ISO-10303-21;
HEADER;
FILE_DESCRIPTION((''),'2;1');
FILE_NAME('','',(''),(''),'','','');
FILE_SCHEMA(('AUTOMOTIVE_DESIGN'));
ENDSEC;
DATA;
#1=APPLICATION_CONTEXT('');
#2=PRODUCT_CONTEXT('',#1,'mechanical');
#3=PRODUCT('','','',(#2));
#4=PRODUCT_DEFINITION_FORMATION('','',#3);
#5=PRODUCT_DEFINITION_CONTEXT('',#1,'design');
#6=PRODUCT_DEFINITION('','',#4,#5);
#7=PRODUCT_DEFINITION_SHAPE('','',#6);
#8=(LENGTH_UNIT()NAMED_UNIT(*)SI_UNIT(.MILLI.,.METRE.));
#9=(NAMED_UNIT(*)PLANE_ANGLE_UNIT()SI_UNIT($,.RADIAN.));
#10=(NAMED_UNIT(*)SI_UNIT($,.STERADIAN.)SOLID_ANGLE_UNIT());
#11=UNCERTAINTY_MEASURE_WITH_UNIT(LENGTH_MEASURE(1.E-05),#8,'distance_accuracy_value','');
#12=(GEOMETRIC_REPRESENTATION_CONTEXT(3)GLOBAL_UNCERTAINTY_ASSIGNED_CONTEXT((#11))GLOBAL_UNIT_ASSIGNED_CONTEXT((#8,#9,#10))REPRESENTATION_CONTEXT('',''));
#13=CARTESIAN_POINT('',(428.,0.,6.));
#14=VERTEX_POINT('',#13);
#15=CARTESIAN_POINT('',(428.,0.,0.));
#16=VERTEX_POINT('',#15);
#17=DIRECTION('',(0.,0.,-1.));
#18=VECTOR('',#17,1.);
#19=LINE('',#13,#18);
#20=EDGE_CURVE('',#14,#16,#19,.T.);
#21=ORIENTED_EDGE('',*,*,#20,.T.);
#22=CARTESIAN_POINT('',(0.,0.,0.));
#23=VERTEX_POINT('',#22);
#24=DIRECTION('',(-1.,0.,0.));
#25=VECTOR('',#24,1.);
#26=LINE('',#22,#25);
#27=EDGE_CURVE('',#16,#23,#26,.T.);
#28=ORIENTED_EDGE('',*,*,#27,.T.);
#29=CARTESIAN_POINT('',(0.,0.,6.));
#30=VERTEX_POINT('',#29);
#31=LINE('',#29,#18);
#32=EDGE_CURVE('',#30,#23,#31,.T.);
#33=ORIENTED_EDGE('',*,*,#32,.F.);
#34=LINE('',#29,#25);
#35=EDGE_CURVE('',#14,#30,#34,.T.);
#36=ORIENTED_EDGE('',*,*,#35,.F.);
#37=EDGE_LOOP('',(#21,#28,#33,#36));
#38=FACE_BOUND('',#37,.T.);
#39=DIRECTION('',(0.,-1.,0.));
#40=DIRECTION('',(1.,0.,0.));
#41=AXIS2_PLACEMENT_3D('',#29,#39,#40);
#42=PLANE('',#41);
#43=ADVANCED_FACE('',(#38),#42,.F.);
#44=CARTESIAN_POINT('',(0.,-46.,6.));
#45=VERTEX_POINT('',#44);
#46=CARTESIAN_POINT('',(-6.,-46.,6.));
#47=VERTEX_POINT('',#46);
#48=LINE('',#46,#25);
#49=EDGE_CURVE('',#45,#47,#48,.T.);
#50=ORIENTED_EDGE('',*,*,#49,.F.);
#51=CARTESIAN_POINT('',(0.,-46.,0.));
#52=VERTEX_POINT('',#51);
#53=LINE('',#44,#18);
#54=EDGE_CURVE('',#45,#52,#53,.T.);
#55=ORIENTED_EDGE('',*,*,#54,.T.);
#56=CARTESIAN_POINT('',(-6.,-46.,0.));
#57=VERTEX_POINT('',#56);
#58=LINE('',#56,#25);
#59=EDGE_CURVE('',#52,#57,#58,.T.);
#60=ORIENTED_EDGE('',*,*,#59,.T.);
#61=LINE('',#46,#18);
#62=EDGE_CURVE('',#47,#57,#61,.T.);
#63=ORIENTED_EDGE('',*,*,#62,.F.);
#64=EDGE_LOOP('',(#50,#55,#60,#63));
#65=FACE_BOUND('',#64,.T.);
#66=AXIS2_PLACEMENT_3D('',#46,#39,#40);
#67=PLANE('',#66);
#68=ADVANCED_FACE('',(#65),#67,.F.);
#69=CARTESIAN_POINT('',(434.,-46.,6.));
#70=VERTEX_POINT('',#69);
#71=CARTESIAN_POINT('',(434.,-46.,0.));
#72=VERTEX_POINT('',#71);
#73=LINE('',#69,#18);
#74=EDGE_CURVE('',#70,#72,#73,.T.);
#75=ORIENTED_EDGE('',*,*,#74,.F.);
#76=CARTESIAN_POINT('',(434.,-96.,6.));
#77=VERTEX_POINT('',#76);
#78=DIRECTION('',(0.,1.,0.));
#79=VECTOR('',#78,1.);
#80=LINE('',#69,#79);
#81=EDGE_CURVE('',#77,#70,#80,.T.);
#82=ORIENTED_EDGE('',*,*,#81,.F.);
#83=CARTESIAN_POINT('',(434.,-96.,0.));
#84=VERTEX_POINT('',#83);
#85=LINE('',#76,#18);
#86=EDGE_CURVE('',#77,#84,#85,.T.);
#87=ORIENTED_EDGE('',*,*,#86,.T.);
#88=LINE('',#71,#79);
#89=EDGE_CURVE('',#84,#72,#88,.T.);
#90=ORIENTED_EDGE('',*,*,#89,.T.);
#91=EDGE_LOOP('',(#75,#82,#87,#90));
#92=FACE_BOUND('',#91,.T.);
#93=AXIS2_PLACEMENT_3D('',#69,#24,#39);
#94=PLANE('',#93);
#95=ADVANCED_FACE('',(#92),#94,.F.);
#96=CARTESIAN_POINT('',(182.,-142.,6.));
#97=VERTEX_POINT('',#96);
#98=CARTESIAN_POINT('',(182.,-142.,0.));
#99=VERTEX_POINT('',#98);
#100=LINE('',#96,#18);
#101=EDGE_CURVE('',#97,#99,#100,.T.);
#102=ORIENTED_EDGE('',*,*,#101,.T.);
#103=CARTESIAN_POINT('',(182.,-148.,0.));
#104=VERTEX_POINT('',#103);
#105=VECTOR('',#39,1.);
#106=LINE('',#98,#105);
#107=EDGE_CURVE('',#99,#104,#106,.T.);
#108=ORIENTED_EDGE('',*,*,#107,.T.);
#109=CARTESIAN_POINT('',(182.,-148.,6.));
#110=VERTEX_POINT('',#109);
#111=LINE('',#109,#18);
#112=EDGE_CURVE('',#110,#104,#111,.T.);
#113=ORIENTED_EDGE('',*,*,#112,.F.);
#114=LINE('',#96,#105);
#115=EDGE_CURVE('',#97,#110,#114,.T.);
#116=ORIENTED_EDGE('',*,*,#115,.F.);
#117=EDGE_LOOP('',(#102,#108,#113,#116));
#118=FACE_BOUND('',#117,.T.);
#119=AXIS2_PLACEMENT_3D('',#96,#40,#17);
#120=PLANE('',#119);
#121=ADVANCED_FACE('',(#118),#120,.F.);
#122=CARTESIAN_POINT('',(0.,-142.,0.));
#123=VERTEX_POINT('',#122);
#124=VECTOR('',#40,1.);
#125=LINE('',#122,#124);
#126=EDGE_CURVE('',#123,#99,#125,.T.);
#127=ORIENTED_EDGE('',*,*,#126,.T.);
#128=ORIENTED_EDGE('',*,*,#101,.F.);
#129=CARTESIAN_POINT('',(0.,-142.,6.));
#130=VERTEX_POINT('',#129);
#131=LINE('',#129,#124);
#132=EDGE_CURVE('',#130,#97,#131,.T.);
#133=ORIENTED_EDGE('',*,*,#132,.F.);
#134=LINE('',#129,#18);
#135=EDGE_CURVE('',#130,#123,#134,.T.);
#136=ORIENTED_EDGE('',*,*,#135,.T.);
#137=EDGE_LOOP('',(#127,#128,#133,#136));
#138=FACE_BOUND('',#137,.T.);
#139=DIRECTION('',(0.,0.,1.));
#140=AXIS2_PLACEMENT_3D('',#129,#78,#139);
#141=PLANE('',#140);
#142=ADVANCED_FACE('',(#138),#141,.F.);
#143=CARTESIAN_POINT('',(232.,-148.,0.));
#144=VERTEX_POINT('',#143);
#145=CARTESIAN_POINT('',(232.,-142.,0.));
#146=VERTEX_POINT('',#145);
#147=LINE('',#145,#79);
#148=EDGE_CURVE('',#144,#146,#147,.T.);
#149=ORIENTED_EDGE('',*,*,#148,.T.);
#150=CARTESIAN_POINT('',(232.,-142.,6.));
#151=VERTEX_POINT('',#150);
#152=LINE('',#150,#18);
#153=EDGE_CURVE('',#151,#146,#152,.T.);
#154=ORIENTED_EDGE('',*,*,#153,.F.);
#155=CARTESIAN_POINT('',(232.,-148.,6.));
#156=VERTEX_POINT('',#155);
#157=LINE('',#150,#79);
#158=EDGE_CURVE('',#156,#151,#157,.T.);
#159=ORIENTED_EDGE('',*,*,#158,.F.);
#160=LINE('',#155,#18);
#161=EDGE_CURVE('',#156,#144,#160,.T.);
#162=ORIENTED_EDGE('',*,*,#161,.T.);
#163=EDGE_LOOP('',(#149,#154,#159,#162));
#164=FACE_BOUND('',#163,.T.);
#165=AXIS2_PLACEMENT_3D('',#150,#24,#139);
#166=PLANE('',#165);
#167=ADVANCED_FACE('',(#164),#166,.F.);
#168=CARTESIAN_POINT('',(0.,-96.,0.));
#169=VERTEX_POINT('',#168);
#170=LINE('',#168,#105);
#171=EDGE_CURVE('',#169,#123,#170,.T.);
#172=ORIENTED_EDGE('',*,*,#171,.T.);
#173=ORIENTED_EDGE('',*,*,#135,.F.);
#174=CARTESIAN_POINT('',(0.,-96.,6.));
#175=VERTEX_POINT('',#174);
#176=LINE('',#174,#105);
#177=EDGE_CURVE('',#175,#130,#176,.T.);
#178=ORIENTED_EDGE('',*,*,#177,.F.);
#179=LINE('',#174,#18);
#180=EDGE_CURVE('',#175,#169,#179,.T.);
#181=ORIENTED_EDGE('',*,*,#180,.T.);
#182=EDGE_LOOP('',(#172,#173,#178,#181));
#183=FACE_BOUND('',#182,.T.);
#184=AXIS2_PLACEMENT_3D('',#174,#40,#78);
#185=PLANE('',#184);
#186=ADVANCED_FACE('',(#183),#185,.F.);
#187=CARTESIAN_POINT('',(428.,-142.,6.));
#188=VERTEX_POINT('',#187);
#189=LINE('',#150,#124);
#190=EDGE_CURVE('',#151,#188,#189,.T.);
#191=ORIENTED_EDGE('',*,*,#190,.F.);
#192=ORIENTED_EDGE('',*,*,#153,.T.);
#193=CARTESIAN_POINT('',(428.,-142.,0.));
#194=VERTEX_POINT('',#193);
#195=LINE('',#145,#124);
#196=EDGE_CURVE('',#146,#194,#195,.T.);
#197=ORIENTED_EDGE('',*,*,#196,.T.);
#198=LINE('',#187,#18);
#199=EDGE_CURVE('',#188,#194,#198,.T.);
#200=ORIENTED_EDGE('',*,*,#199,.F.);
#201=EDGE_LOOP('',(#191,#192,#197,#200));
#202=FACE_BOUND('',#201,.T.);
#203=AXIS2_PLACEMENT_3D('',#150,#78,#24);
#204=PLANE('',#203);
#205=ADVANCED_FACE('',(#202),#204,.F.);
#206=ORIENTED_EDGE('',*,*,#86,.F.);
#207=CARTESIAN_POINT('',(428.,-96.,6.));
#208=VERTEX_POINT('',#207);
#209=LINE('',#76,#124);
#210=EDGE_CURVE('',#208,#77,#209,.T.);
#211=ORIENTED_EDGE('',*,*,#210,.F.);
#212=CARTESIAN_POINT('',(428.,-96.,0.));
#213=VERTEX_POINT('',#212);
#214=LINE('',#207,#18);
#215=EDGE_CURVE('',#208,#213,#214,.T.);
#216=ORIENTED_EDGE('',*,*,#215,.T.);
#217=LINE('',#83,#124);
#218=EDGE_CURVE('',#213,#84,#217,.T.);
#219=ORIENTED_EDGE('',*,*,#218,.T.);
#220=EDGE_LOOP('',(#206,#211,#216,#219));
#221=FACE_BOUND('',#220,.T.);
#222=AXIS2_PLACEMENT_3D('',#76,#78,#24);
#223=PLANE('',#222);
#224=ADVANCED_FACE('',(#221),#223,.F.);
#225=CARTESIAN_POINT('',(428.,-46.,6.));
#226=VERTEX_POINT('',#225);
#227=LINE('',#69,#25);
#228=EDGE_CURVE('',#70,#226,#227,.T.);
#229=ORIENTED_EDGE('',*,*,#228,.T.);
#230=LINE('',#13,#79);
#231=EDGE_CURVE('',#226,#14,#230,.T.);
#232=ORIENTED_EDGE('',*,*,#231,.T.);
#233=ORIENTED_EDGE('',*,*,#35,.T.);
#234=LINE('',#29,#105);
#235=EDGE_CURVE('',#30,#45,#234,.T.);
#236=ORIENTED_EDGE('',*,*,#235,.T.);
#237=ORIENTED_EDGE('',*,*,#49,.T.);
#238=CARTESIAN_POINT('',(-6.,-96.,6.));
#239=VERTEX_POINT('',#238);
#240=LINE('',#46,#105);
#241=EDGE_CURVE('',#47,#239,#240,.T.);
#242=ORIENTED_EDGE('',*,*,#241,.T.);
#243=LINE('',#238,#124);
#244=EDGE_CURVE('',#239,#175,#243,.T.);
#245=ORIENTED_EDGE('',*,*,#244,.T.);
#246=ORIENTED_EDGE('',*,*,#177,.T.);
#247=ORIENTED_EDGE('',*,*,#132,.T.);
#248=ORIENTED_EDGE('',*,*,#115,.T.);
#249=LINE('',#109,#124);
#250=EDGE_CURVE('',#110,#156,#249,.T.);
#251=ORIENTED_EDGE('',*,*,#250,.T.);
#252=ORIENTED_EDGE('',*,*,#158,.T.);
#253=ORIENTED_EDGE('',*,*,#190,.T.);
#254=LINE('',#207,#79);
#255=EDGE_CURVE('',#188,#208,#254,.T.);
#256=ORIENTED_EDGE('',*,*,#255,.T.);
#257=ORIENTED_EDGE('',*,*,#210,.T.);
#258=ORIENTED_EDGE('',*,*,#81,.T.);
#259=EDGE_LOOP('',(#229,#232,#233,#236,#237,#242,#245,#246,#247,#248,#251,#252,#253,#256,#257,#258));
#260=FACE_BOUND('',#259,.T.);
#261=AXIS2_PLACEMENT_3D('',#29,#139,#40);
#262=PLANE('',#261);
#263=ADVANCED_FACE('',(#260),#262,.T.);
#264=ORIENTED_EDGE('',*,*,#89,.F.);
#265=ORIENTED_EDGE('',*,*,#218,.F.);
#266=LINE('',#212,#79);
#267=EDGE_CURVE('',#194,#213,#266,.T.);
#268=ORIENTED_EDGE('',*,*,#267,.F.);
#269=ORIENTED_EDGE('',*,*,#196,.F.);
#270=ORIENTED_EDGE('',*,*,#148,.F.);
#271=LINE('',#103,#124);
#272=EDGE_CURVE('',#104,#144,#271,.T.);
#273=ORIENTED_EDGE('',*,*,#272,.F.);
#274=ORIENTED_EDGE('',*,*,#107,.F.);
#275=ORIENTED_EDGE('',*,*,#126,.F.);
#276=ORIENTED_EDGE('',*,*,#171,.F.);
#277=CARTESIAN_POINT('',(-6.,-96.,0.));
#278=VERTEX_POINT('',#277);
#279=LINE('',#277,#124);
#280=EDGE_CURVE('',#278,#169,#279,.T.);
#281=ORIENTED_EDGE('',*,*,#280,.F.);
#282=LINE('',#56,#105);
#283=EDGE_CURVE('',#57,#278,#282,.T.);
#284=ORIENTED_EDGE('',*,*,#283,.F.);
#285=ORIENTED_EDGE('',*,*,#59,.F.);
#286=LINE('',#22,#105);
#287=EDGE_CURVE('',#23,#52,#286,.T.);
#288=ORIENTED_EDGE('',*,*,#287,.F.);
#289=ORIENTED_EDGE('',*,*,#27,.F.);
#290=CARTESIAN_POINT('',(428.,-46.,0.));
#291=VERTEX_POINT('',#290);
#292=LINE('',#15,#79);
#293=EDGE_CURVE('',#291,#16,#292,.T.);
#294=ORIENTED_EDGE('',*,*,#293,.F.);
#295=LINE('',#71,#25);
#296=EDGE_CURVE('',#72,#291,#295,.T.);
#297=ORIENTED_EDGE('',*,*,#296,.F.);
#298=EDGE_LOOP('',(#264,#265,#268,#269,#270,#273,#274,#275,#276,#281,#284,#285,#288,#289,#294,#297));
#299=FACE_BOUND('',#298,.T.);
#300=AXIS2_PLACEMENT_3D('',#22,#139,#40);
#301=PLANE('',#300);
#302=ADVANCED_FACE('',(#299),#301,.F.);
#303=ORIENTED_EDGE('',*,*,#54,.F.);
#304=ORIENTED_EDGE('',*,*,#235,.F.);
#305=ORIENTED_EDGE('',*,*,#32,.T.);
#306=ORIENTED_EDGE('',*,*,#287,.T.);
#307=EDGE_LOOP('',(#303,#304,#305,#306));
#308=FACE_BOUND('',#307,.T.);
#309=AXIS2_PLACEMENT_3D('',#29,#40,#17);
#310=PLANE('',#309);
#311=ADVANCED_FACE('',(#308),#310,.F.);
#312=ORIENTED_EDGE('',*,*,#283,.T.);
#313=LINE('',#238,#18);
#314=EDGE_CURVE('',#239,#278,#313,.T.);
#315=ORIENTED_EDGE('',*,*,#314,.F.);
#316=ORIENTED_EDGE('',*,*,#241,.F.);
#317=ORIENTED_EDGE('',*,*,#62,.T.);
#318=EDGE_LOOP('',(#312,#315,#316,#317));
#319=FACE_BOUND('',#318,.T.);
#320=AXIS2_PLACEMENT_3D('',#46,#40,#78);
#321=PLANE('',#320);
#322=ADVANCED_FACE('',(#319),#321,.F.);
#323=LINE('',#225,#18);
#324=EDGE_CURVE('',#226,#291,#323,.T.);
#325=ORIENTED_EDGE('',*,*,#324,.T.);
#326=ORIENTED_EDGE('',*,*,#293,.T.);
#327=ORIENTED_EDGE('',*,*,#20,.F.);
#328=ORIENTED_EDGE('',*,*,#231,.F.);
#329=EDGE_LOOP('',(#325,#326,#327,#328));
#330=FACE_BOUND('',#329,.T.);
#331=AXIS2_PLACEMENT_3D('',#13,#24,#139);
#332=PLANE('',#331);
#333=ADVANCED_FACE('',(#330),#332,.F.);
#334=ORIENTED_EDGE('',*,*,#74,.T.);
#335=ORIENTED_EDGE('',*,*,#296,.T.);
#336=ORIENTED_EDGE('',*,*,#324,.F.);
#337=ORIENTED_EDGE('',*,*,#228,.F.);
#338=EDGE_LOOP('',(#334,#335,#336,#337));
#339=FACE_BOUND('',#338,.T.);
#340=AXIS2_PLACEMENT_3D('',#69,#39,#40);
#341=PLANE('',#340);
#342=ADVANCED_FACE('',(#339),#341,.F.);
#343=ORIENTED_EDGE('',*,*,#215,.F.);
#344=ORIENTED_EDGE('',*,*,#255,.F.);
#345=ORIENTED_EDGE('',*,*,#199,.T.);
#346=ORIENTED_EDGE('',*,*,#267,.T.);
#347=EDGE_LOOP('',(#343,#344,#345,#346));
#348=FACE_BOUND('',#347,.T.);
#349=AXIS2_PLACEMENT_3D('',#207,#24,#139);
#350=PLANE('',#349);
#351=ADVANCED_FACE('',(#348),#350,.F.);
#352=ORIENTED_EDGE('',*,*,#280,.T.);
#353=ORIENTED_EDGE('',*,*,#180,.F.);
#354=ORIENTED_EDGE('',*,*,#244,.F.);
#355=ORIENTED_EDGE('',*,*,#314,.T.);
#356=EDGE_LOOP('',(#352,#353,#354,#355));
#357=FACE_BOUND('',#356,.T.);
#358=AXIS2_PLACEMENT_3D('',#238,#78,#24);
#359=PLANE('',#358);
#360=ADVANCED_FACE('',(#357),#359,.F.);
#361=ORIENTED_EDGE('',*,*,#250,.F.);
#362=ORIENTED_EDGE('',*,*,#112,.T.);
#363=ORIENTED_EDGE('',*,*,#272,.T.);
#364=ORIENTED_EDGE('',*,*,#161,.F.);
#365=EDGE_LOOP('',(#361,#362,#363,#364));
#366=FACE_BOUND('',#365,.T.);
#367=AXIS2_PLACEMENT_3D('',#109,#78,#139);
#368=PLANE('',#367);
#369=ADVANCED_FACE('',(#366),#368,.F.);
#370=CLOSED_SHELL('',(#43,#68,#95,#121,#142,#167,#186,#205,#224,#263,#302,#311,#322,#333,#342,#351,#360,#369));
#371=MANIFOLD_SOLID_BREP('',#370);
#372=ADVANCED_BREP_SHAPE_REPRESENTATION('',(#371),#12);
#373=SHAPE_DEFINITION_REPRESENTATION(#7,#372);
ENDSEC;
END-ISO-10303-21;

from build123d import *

# Parameters (mm, degrees)
BOSS_EXTRUDE1_DEPTH = 6


with BuildPart() as part:
    # Sketch1 → Boss-Extrude1 (new body)
    with BuildSketch(Plane.XY):
        Polygon((0, 0), (428, 0), (428, -46), (434, -46), (434, -96), (428, -96), (428, -142), (232, -142), (232, -148), (182, -148), (182, -142), (0, -142), (0, -96), (-6, -96), (-6, -46), (0, -46), align=None)
    extrude(amount=BOSS_EXTRUDE1_DEPTH)


solid = part.part
